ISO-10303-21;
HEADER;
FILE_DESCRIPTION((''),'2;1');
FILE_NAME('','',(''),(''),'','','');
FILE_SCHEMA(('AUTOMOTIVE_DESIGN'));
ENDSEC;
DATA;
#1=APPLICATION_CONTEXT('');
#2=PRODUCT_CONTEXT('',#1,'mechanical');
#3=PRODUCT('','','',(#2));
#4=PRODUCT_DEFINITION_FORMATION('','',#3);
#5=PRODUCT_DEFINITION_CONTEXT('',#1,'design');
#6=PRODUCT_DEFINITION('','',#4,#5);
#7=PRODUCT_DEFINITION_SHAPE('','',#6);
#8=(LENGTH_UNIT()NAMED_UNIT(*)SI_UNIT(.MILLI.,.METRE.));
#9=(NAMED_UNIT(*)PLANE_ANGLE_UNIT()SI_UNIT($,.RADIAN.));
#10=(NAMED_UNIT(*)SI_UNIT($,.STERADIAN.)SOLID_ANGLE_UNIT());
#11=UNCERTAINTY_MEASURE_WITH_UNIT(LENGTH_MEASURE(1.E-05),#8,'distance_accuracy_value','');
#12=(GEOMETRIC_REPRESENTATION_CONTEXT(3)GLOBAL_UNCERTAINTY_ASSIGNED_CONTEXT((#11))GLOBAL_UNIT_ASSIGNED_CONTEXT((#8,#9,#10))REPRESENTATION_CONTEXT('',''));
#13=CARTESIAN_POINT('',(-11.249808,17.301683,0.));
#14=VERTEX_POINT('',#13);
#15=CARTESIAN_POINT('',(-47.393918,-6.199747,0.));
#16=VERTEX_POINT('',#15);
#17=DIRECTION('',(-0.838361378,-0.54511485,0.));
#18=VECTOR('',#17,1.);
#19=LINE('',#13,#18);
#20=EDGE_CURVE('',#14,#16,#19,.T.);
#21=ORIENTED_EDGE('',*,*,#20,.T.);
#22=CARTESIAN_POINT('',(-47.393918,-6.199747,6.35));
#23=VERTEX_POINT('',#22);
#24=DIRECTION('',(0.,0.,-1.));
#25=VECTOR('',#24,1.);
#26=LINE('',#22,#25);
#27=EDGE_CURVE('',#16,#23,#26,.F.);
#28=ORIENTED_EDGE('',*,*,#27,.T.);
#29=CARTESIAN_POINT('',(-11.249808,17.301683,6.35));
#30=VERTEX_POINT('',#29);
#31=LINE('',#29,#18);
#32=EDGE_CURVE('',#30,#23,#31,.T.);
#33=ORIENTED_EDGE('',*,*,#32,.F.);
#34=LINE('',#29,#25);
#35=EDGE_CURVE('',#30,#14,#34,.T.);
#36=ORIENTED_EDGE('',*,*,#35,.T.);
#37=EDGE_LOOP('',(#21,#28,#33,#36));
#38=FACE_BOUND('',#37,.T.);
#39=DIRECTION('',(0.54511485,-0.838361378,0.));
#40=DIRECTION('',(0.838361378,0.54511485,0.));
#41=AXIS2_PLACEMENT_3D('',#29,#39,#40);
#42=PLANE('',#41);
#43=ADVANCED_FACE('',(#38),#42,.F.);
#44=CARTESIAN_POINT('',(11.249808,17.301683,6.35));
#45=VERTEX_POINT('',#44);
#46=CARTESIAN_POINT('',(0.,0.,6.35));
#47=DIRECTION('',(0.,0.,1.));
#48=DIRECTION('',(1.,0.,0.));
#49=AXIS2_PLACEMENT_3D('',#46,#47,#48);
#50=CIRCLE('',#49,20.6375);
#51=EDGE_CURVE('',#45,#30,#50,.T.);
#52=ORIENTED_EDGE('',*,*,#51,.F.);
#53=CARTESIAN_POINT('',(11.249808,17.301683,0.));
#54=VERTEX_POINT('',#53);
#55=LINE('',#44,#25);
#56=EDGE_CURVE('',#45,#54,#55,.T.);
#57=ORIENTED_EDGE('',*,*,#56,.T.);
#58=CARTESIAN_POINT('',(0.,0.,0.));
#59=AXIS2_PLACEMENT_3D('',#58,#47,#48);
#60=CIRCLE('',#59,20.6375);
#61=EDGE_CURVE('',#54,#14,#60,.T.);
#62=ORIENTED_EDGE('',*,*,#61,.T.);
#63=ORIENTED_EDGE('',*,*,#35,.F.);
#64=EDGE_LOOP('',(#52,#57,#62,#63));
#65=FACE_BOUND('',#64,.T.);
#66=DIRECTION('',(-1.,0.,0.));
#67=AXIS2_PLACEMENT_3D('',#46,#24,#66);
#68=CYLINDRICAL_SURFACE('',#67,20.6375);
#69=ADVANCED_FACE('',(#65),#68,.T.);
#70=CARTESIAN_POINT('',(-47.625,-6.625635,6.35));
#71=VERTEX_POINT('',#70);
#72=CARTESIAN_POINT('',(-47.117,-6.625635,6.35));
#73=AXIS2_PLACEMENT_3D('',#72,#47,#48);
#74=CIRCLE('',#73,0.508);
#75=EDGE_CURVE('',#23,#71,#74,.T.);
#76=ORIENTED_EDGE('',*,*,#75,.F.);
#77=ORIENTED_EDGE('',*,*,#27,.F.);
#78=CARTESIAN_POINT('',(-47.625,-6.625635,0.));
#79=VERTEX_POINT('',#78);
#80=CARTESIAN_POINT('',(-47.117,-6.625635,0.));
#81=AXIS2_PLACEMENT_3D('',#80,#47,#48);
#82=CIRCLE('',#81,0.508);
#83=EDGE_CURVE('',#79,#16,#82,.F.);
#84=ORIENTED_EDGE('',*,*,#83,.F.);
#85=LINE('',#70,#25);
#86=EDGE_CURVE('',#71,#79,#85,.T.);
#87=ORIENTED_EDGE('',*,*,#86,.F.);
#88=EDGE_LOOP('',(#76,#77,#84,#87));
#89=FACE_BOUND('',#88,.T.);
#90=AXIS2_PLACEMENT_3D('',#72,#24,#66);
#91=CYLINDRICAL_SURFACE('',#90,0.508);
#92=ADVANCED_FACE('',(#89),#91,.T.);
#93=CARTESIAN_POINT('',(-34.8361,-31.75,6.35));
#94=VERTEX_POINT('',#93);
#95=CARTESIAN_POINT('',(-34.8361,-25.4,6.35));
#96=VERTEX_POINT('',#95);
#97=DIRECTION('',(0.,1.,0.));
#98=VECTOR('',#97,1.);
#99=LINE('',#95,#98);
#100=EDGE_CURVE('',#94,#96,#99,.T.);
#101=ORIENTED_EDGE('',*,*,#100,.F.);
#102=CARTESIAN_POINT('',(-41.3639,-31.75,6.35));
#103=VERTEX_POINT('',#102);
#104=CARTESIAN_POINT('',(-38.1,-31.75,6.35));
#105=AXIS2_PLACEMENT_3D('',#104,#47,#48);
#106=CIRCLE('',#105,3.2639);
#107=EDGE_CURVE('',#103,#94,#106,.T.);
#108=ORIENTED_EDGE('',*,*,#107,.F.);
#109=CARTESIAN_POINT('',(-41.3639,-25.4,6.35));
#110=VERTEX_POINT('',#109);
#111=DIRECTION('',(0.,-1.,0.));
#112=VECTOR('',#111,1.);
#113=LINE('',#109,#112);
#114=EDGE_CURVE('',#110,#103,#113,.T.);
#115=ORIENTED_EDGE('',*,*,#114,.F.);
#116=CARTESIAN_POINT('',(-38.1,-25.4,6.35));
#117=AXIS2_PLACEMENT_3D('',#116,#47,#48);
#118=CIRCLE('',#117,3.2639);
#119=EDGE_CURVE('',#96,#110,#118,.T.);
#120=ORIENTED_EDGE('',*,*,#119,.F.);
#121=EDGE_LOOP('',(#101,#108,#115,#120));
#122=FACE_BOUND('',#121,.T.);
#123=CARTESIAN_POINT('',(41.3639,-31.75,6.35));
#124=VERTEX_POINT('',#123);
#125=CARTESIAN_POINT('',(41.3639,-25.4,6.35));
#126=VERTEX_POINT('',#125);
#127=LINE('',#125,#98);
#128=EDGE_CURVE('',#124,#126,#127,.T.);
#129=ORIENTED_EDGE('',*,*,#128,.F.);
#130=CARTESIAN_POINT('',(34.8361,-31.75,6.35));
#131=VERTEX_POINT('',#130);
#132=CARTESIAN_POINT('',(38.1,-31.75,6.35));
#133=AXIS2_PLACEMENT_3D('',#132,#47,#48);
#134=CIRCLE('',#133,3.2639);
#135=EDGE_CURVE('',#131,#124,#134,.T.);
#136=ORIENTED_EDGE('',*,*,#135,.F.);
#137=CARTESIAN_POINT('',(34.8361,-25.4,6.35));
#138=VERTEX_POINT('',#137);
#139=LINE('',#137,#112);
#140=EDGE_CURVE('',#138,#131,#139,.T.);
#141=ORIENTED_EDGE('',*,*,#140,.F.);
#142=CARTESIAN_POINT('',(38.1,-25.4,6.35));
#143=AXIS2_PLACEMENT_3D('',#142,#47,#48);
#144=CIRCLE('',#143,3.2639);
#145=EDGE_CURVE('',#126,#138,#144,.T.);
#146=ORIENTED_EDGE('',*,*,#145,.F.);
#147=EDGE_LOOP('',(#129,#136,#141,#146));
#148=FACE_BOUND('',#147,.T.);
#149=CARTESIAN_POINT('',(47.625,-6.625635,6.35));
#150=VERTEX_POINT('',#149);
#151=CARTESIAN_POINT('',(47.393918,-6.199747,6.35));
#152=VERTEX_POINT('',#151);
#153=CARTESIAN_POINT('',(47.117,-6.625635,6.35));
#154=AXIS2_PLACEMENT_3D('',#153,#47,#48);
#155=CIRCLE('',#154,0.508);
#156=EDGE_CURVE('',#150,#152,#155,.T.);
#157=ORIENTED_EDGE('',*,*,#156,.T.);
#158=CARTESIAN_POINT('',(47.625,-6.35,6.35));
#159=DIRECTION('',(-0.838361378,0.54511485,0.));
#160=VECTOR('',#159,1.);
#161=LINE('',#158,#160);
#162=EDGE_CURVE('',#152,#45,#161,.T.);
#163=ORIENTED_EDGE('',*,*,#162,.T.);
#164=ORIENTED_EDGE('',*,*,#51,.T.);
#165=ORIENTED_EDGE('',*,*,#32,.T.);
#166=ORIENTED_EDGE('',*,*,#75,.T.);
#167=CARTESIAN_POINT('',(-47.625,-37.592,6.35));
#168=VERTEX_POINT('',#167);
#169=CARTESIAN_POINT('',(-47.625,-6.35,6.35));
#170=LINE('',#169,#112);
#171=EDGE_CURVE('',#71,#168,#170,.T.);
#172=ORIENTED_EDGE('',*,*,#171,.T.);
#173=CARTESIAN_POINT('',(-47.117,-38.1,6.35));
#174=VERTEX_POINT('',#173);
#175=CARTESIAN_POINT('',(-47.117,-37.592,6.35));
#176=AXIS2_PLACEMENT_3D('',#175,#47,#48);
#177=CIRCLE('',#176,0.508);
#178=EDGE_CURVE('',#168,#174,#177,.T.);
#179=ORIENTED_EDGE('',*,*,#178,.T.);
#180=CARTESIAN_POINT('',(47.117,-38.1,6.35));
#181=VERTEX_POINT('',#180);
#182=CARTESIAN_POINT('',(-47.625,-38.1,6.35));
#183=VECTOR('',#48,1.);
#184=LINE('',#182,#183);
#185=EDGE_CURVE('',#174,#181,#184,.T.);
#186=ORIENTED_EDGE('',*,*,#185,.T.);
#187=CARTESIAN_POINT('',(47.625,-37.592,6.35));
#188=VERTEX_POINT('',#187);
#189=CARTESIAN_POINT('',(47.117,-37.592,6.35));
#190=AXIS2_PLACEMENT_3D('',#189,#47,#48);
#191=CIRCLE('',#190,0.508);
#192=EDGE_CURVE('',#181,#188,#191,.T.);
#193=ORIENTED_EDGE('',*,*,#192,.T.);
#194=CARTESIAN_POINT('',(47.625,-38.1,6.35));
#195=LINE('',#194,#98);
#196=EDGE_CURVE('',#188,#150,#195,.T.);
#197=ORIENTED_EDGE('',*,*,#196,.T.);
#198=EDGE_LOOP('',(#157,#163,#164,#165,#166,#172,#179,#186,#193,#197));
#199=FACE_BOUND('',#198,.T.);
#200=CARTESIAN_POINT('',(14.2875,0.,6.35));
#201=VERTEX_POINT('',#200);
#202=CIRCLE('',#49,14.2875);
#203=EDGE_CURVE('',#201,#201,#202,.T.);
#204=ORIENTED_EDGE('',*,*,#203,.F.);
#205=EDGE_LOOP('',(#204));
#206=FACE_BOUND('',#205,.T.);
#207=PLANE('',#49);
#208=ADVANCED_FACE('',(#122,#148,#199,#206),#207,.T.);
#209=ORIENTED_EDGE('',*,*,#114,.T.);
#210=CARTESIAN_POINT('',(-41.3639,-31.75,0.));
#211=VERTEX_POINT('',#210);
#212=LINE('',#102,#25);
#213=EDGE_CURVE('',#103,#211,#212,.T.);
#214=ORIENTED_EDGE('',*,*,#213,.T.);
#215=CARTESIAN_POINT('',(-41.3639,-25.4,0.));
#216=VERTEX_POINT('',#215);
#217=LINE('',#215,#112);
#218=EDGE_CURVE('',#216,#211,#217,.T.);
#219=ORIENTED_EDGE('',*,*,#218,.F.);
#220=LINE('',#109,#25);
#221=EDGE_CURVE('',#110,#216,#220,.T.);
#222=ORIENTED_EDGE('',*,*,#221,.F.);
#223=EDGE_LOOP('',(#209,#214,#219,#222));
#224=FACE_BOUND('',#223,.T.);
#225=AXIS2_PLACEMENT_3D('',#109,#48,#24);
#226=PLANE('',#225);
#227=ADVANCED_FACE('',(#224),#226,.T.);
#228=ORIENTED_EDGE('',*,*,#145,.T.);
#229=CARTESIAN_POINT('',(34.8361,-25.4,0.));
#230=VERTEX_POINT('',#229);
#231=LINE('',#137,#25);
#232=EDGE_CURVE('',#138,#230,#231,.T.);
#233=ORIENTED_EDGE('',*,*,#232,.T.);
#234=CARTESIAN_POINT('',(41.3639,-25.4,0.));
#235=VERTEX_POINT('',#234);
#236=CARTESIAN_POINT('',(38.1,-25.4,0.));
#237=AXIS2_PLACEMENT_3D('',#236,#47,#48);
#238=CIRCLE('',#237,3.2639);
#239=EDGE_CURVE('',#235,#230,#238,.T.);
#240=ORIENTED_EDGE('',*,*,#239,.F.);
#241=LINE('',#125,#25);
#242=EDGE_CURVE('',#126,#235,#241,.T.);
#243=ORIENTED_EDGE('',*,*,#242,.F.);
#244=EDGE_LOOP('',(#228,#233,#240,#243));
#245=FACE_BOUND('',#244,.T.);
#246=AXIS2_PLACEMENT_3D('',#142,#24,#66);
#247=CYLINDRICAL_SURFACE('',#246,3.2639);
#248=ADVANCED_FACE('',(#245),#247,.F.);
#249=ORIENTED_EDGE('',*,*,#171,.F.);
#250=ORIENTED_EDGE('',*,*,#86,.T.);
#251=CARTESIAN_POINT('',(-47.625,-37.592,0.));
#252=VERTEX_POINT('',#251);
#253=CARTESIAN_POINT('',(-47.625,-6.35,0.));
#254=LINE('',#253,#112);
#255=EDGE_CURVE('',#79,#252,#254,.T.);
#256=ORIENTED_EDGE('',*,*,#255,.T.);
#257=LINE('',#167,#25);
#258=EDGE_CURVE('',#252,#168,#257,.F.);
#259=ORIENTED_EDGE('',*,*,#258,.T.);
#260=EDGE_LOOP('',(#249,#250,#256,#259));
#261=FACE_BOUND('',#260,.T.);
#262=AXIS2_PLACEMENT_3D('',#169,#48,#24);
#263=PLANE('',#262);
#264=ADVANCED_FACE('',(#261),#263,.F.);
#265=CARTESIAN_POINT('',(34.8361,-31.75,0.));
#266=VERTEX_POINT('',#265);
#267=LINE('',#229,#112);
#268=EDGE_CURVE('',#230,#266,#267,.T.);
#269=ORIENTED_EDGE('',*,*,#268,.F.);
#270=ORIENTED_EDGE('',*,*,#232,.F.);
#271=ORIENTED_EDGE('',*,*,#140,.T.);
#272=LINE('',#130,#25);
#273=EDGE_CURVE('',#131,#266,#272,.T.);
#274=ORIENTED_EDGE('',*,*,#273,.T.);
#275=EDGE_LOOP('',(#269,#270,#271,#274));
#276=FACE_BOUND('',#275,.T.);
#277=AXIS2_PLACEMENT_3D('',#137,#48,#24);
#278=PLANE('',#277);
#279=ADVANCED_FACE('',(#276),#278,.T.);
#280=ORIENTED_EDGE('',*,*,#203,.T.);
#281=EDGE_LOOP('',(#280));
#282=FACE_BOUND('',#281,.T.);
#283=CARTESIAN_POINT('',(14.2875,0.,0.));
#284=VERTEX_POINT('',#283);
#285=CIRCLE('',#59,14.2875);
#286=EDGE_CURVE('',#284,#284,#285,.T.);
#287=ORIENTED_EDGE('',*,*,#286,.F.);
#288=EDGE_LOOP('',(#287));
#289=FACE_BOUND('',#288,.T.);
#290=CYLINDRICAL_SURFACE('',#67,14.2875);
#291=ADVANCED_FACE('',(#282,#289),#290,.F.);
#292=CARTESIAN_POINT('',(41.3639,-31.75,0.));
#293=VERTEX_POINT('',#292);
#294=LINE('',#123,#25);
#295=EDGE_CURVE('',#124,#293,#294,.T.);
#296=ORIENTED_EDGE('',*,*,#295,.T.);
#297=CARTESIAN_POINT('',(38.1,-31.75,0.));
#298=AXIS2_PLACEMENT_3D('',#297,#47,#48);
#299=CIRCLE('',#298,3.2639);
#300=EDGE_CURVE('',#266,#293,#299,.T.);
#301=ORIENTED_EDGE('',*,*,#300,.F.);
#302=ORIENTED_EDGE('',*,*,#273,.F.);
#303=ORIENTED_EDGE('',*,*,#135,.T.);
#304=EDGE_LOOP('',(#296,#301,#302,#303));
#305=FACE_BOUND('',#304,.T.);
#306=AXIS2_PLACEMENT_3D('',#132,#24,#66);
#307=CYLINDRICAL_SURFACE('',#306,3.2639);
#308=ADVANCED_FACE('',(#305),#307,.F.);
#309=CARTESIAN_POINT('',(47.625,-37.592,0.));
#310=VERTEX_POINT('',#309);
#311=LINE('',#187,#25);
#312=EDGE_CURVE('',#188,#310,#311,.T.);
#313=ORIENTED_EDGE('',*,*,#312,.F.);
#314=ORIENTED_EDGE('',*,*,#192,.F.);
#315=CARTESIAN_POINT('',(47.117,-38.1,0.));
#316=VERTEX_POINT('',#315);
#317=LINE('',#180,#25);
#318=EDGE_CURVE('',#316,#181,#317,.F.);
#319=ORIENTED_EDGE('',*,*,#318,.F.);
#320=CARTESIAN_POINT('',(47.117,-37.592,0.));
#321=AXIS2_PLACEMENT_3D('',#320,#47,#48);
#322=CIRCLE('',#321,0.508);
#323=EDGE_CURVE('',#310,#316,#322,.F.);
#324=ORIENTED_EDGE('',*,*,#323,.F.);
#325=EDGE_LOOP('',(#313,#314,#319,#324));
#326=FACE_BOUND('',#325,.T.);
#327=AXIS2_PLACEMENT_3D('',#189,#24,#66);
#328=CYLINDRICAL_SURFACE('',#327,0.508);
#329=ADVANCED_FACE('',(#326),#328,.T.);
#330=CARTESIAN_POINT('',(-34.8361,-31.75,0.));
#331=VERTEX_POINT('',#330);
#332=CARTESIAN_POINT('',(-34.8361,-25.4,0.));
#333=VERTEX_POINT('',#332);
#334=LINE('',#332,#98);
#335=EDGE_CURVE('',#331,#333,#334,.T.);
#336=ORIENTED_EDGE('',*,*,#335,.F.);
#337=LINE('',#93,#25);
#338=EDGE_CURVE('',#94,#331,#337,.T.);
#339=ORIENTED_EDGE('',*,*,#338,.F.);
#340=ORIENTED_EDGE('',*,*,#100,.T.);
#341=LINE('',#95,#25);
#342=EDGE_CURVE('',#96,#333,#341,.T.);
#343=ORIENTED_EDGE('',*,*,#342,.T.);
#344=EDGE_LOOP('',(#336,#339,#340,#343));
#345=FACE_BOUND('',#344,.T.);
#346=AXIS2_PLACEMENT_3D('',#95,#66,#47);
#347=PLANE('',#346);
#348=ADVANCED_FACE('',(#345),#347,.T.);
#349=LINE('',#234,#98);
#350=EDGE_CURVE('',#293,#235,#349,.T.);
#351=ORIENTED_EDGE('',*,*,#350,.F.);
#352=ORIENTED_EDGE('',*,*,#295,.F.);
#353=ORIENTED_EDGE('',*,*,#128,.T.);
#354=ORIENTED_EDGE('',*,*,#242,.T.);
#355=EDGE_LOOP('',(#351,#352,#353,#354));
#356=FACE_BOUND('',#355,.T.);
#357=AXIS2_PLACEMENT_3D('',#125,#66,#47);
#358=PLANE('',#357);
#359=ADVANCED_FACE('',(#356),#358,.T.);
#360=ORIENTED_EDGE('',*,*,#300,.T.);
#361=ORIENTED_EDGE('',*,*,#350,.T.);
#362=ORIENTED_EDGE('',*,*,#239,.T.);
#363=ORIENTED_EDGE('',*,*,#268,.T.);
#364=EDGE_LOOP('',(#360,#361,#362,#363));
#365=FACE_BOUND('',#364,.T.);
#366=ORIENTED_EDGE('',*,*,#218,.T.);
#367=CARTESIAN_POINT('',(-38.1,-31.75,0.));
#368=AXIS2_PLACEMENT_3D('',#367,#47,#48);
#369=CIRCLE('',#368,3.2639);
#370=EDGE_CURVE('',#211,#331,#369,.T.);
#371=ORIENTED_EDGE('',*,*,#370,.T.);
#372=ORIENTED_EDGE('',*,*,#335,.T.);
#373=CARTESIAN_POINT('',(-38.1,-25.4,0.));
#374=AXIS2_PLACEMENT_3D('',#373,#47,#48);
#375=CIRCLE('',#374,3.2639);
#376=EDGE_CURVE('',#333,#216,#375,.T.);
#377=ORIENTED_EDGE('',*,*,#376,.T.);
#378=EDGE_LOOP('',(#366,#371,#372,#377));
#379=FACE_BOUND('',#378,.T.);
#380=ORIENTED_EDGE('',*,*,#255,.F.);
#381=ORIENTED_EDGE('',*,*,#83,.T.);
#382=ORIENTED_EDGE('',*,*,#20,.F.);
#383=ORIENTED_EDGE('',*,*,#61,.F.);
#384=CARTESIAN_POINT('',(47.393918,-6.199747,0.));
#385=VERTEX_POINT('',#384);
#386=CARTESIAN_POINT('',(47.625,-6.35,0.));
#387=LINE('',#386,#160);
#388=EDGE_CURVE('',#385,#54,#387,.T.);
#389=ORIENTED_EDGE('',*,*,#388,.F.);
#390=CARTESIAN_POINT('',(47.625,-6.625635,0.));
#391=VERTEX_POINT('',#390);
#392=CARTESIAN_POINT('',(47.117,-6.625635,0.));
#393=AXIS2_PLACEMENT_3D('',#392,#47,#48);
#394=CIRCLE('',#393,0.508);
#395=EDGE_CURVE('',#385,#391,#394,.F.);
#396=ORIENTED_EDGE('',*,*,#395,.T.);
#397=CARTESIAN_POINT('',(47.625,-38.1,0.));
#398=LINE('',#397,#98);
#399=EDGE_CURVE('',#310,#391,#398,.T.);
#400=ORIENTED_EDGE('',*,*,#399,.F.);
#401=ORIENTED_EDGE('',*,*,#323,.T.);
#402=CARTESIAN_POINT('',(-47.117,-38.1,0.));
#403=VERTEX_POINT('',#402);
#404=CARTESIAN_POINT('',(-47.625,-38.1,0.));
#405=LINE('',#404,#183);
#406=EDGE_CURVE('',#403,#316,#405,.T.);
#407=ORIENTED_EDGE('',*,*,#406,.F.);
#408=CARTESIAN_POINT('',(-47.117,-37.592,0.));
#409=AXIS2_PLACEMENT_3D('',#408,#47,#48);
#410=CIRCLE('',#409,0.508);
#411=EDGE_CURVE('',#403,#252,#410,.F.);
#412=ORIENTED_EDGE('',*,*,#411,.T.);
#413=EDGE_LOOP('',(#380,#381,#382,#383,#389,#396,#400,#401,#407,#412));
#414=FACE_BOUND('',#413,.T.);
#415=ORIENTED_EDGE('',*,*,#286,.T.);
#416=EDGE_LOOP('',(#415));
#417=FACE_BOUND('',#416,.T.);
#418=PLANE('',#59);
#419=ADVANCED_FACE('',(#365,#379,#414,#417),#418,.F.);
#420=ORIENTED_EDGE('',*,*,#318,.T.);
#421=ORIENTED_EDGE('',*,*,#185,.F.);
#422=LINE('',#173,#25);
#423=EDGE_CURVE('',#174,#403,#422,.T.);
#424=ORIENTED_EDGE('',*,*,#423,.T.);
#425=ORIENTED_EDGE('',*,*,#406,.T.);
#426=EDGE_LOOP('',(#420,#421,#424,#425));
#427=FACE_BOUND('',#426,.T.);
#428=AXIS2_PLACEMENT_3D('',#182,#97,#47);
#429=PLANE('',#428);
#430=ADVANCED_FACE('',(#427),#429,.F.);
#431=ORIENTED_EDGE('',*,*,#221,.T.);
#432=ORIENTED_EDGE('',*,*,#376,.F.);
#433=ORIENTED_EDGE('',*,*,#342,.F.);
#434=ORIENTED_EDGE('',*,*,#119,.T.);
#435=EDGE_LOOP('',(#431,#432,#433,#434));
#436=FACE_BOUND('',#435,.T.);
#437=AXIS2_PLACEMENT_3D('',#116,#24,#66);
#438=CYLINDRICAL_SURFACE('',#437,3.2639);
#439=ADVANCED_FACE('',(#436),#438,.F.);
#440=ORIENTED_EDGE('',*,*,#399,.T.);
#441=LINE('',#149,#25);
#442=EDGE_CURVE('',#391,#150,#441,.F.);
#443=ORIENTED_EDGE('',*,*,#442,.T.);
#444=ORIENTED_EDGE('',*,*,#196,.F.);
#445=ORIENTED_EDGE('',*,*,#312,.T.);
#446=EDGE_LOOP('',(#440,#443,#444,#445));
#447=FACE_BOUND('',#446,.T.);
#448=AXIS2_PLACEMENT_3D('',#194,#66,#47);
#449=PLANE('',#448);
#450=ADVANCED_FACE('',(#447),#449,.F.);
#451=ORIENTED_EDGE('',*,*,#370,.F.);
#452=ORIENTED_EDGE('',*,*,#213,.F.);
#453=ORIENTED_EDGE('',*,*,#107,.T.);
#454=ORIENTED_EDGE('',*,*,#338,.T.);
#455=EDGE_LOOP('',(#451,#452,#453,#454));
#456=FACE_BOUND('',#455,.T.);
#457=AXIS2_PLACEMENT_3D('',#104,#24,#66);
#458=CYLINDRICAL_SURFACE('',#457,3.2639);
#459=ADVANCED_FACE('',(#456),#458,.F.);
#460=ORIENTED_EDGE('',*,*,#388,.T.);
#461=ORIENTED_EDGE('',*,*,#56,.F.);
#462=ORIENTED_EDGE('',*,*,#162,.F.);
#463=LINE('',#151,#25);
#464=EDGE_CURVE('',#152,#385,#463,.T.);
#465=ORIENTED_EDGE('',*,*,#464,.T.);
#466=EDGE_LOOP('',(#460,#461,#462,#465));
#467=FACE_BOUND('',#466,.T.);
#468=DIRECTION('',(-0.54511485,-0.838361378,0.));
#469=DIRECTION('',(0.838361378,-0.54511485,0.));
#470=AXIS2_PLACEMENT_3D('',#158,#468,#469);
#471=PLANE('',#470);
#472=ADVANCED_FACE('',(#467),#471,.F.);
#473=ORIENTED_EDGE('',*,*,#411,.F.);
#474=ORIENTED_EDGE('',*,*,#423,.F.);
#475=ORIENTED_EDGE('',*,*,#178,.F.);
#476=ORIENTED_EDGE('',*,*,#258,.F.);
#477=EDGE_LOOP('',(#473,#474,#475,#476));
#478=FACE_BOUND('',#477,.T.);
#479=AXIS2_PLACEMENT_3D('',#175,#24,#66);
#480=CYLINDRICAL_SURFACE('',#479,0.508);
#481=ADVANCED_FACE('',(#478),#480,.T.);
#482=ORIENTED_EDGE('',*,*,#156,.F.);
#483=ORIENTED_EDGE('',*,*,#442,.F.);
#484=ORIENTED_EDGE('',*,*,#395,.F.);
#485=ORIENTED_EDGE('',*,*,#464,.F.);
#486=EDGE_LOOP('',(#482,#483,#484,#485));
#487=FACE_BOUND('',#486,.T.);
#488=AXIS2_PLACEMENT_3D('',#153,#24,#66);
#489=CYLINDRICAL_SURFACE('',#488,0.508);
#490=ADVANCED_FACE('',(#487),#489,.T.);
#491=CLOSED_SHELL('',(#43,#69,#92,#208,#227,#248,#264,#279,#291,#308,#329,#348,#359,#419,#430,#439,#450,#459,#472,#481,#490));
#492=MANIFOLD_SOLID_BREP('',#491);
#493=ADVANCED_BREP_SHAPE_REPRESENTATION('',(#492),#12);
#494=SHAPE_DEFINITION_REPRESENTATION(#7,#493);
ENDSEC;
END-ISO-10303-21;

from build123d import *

# Parameters (mm, degrees)
SKETCH1_R           = 14.2875
BOSS_EXTRUDE1_DEPTH = 6.35
FILLET1_R           = 0.508


with BuildPart() as part:
    # Sketch1 → Boss-Extrude1 (new body)
    with BuildSketch(Plane.XY):
        with BuildLine():
            Line((-11.249807725, 17.301682936), (-47.625, -6.35))
            Line((-47.625, -6.35), (-47.625, -38.1))
            Line((-47.625, -38.1), (47.625, -38.1))
            Line((47.625, -38.1), (47.625, -6.35))
            Line((47.625, -6.35), (11.249807725, 17.301682936))
            ThreePointArc((11.249807725, 17.301682936), (0, 20.6375), (-11.249807725, 17.301682936))
        make_face()
        Circle(SKETCH1_R, mode=Mode.SUBTRACT)
        with BuildLine():
            Line((-34.8361, -25.4), (-34.8361, -31.75))
            ThreePointArc((-34.8361, -31.75), (-38.1, -35.0139), (-41.3639, -31.75))
            Line((-41.3639, -31.75), (-41.3639, -25.4))
            ThreePointArc((-41.3639, -25.4), (-38.1, -22.1361), (-34.8361, -25.4))
        make_face(mode=Mode.SUBTRACT)
        with BuildLine():
            Line((41.3639, -25.4), (41.3639, -31.75))
            ThreePointArc((41.3639, -31.75), (38.1, -35.0139), (34.8361, -31.75))
            Line((34.8361, -31.75), (34.8361, -25.4))
            ThreePointArc((34.8361, -25.4), (38.1, -22.1361), (41.3639, -25.4))
        make_face(mode=Mode.SUBTRACT)
    extrude(amount=BOSS_EXTRUDE1_DEPTH)

    # Fillet1
    fillet1_edges = [part.edges().sort_by_distance(p)[0] for p in [
        (47.625, -6.35, 3.175),
        (47.625, -38.1, 3.175),
        (-47.625, -38.1, 3.175),
        (-47.625, -6.35, 3.175),
    ]]
    fillet(fillet1_edges, radius=FILLET1_R)


solid = part.part
